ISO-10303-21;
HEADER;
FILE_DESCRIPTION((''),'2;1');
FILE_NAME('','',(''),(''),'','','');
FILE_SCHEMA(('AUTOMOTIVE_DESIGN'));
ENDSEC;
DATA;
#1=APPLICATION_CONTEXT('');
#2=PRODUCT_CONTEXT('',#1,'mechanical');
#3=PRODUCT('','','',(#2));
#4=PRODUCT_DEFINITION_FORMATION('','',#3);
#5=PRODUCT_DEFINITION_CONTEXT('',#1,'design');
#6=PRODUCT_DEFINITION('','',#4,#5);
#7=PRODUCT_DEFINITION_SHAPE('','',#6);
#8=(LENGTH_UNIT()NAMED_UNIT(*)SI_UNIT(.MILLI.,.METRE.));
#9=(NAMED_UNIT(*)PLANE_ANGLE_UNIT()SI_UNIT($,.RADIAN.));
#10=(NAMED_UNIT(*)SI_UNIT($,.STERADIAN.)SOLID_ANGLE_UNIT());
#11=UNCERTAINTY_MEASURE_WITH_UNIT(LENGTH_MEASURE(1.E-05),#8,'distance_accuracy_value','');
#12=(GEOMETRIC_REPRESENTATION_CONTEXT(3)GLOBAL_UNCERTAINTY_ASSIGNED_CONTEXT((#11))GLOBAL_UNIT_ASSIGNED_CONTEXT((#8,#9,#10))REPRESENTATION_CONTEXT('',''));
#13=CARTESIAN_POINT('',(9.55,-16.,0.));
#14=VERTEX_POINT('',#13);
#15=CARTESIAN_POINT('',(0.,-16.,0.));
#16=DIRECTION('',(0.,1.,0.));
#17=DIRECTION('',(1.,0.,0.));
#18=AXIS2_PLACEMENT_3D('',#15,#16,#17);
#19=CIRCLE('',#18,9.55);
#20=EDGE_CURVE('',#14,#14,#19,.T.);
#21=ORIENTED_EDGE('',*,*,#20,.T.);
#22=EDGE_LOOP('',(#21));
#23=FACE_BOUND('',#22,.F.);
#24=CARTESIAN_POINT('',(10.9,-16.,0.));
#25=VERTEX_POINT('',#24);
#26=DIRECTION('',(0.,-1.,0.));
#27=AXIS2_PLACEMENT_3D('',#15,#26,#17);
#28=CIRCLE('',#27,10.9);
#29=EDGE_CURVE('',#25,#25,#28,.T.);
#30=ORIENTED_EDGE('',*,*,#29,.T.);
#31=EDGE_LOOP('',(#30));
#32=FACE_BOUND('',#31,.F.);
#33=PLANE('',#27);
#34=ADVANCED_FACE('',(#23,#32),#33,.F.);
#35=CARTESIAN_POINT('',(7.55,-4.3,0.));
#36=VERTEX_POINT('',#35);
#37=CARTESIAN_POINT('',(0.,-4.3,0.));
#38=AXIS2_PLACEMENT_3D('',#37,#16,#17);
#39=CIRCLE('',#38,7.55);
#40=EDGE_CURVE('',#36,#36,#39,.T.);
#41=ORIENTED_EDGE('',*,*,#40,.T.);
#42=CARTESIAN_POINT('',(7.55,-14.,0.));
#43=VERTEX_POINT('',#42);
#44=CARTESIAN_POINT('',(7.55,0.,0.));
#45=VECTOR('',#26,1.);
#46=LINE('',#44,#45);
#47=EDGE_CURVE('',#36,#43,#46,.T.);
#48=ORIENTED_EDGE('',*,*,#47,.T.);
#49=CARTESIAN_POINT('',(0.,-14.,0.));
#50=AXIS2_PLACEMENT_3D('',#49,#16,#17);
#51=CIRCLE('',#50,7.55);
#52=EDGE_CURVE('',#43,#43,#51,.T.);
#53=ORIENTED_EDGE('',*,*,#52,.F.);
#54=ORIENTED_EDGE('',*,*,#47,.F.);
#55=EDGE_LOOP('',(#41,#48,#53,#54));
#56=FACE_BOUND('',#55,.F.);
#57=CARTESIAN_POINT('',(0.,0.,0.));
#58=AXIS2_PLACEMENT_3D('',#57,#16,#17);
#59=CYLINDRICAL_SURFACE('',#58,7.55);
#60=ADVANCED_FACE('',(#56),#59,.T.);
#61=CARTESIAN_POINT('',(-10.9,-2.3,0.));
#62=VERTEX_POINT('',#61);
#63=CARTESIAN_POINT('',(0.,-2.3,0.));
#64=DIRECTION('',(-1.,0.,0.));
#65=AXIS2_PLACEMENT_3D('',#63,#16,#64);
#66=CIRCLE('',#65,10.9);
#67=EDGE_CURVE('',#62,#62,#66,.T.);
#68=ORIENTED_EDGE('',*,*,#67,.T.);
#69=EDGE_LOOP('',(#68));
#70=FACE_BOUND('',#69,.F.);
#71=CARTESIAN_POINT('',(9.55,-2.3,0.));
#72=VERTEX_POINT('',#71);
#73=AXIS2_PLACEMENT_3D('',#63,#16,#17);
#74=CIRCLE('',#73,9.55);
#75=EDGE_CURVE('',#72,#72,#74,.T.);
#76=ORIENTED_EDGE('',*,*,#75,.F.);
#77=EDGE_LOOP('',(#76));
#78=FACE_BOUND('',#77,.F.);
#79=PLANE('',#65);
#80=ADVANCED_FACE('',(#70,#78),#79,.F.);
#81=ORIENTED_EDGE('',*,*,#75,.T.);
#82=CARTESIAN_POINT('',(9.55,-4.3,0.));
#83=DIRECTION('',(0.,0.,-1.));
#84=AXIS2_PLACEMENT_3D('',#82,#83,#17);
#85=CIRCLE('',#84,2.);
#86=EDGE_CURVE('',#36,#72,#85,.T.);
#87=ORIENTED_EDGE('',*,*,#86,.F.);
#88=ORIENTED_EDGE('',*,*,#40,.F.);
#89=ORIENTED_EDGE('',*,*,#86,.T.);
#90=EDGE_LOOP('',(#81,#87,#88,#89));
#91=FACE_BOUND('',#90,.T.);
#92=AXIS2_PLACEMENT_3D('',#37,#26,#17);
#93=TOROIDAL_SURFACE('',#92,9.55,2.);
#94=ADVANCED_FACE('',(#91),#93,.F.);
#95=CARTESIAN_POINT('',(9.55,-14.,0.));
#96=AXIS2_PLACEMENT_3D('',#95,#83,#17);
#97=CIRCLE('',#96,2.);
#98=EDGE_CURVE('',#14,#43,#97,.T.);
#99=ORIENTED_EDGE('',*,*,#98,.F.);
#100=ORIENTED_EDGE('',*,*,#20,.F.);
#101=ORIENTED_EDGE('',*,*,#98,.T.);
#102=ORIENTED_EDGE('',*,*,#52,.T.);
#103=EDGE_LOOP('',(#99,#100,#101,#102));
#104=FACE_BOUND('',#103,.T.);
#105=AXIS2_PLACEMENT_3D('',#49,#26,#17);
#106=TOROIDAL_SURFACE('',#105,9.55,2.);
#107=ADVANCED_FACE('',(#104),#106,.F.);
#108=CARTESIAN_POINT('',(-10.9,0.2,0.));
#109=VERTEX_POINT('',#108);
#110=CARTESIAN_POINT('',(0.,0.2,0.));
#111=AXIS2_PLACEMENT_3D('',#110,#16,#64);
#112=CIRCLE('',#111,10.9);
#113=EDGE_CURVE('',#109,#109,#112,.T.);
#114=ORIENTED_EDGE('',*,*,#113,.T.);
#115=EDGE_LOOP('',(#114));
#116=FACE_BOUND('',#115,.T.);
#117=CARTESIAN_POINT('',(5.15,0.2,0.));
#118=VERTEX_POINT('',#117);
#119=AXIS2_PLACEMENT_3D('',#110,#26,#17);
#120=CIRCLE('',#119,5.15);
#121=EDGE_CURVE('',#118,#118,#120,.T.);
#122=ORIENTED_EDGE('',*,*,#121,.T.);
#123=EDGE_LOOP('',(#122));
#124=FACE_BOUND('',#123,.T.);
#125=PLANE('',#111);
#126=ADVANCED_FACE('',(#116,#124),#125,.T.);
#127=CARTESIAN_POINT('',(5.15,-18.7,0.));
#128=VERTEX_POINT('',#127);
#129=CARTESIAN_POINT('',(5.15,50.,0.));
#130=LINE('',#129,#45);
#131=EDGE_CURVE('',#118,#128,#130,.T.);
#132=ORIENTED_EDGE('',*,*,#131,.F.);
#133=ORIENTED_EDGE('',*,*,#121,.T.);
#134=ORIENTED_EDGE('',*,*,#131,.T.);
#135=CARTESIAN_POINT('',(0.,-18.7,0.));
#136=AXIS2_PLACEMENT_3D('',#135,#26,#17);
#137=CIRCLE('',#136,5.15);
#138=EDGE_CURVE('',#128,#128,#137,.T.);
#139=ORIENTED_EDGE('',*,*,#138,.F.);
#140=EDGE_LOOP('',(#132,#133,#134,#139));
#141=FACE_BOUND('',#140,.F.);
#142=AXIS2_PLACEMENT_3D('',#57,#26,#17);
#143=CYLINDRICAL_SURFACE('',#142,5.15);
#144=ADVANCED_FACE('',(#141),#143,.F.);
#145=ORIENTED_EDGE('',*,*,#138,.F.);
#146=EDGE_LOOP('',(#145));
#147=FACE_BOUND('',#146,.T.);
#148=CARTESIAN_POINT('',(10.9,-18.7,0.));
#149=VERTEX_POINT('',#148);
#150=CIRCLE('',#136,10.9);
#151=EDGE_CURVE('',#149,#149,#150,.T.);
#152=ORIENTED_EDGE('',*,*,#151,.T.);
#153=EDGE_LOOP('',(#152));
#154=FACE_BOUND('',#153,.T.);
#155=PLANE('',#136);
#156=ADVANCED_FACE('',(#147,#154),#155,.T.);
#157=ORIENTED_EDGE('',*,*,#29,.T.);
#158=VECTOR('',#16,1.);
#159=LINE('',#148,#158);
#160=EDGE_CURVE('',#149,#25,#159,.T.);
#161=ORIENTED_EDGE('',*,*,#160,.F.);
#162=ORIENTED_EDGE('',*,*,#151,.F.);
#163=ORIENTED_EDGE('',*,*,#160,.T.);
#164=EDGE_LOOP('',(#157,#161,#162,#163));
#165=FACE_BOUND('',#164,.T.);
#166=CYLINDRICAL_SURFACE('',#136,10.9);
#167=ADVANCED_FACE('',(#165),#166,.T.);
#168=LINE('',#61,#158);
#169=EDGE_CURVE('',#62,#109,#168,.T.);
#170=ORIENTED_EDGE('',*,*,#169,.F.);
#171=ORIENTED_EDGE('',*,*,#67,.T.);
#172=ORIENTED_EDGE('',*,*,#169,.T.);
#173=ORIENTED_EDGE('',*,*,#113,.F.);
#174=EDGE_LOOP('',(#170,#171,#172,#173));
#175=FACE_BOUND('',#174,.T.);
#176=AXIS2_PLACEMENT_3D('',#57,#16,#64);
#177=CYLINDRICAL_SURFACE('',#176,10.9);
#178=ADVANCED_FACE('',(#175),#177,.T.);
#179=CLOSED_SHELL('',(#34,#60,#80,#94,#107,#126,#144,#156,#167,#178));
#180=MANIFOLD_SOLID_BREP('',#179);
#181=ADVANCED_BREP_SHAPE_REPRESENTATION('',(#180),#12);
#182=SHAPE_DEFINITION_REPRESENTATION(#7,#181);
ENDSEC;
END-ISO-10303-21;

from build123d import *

# Parameters (mm, degrees)
F0_R     = 7.55
F1_DEPTH = 18.7
F2_R     = 10.9
F3_DEPTH = 2.3
F4_DEPTH = 0.2
F5_R     = 10.9
F6_DEPTH = 2.7
F7_R     = 5.15
F8_DEPTH = 50
F9_R     = 2


with BuildPart() as f1:
    # F0 (on Front) → F1 (new body)
    with BuildSketch(Plane.XZ):
        Circle(F0_R)
    extrude(amount=F1_DEPTH)

    # F2 (on face) → F3 (join)
    with BuildSketch(Plane(origin=(0, 0, 0), x_dir=(-1, 0, 0), z_dir=(0, 1, 0))):
        Circle(F2_R)
    extrude(amount=-F3_DEPTH)

    # F2 (on face) → F4 (join)
    with BuildSketch(Plane(origin=(0, 0, 0), x_dir=(-1, 0, 0), z_dir=(0, 1, 0))):
        Circle(F2_R)
    extrude(amount=F4_DEPTH)

    # F5 (on face) → F6 (join)
    with BuildSketch(Plane.XZ.offset(18.7)):
        Circle(F5_R)
    extrude(amount=-F6_DEPTH)

    # F7 (on Front) → F8 (cut, symmetric)
    with BuildSketch(Plane.XZ):
        Circle(F7_R)
    extrude(amount=F8_DEPTH, both=True, mode=Mode.SUBTRACT)

    # F9
    f9_edges = [f1.edges().sort_by_distance(p)[0] for p in [
        (-7.55, -2.3, 0),
        (-7.55, -16, 0),
    ]]
    fillet(f9_edges, radius=F9_R)


solid = f1.part
